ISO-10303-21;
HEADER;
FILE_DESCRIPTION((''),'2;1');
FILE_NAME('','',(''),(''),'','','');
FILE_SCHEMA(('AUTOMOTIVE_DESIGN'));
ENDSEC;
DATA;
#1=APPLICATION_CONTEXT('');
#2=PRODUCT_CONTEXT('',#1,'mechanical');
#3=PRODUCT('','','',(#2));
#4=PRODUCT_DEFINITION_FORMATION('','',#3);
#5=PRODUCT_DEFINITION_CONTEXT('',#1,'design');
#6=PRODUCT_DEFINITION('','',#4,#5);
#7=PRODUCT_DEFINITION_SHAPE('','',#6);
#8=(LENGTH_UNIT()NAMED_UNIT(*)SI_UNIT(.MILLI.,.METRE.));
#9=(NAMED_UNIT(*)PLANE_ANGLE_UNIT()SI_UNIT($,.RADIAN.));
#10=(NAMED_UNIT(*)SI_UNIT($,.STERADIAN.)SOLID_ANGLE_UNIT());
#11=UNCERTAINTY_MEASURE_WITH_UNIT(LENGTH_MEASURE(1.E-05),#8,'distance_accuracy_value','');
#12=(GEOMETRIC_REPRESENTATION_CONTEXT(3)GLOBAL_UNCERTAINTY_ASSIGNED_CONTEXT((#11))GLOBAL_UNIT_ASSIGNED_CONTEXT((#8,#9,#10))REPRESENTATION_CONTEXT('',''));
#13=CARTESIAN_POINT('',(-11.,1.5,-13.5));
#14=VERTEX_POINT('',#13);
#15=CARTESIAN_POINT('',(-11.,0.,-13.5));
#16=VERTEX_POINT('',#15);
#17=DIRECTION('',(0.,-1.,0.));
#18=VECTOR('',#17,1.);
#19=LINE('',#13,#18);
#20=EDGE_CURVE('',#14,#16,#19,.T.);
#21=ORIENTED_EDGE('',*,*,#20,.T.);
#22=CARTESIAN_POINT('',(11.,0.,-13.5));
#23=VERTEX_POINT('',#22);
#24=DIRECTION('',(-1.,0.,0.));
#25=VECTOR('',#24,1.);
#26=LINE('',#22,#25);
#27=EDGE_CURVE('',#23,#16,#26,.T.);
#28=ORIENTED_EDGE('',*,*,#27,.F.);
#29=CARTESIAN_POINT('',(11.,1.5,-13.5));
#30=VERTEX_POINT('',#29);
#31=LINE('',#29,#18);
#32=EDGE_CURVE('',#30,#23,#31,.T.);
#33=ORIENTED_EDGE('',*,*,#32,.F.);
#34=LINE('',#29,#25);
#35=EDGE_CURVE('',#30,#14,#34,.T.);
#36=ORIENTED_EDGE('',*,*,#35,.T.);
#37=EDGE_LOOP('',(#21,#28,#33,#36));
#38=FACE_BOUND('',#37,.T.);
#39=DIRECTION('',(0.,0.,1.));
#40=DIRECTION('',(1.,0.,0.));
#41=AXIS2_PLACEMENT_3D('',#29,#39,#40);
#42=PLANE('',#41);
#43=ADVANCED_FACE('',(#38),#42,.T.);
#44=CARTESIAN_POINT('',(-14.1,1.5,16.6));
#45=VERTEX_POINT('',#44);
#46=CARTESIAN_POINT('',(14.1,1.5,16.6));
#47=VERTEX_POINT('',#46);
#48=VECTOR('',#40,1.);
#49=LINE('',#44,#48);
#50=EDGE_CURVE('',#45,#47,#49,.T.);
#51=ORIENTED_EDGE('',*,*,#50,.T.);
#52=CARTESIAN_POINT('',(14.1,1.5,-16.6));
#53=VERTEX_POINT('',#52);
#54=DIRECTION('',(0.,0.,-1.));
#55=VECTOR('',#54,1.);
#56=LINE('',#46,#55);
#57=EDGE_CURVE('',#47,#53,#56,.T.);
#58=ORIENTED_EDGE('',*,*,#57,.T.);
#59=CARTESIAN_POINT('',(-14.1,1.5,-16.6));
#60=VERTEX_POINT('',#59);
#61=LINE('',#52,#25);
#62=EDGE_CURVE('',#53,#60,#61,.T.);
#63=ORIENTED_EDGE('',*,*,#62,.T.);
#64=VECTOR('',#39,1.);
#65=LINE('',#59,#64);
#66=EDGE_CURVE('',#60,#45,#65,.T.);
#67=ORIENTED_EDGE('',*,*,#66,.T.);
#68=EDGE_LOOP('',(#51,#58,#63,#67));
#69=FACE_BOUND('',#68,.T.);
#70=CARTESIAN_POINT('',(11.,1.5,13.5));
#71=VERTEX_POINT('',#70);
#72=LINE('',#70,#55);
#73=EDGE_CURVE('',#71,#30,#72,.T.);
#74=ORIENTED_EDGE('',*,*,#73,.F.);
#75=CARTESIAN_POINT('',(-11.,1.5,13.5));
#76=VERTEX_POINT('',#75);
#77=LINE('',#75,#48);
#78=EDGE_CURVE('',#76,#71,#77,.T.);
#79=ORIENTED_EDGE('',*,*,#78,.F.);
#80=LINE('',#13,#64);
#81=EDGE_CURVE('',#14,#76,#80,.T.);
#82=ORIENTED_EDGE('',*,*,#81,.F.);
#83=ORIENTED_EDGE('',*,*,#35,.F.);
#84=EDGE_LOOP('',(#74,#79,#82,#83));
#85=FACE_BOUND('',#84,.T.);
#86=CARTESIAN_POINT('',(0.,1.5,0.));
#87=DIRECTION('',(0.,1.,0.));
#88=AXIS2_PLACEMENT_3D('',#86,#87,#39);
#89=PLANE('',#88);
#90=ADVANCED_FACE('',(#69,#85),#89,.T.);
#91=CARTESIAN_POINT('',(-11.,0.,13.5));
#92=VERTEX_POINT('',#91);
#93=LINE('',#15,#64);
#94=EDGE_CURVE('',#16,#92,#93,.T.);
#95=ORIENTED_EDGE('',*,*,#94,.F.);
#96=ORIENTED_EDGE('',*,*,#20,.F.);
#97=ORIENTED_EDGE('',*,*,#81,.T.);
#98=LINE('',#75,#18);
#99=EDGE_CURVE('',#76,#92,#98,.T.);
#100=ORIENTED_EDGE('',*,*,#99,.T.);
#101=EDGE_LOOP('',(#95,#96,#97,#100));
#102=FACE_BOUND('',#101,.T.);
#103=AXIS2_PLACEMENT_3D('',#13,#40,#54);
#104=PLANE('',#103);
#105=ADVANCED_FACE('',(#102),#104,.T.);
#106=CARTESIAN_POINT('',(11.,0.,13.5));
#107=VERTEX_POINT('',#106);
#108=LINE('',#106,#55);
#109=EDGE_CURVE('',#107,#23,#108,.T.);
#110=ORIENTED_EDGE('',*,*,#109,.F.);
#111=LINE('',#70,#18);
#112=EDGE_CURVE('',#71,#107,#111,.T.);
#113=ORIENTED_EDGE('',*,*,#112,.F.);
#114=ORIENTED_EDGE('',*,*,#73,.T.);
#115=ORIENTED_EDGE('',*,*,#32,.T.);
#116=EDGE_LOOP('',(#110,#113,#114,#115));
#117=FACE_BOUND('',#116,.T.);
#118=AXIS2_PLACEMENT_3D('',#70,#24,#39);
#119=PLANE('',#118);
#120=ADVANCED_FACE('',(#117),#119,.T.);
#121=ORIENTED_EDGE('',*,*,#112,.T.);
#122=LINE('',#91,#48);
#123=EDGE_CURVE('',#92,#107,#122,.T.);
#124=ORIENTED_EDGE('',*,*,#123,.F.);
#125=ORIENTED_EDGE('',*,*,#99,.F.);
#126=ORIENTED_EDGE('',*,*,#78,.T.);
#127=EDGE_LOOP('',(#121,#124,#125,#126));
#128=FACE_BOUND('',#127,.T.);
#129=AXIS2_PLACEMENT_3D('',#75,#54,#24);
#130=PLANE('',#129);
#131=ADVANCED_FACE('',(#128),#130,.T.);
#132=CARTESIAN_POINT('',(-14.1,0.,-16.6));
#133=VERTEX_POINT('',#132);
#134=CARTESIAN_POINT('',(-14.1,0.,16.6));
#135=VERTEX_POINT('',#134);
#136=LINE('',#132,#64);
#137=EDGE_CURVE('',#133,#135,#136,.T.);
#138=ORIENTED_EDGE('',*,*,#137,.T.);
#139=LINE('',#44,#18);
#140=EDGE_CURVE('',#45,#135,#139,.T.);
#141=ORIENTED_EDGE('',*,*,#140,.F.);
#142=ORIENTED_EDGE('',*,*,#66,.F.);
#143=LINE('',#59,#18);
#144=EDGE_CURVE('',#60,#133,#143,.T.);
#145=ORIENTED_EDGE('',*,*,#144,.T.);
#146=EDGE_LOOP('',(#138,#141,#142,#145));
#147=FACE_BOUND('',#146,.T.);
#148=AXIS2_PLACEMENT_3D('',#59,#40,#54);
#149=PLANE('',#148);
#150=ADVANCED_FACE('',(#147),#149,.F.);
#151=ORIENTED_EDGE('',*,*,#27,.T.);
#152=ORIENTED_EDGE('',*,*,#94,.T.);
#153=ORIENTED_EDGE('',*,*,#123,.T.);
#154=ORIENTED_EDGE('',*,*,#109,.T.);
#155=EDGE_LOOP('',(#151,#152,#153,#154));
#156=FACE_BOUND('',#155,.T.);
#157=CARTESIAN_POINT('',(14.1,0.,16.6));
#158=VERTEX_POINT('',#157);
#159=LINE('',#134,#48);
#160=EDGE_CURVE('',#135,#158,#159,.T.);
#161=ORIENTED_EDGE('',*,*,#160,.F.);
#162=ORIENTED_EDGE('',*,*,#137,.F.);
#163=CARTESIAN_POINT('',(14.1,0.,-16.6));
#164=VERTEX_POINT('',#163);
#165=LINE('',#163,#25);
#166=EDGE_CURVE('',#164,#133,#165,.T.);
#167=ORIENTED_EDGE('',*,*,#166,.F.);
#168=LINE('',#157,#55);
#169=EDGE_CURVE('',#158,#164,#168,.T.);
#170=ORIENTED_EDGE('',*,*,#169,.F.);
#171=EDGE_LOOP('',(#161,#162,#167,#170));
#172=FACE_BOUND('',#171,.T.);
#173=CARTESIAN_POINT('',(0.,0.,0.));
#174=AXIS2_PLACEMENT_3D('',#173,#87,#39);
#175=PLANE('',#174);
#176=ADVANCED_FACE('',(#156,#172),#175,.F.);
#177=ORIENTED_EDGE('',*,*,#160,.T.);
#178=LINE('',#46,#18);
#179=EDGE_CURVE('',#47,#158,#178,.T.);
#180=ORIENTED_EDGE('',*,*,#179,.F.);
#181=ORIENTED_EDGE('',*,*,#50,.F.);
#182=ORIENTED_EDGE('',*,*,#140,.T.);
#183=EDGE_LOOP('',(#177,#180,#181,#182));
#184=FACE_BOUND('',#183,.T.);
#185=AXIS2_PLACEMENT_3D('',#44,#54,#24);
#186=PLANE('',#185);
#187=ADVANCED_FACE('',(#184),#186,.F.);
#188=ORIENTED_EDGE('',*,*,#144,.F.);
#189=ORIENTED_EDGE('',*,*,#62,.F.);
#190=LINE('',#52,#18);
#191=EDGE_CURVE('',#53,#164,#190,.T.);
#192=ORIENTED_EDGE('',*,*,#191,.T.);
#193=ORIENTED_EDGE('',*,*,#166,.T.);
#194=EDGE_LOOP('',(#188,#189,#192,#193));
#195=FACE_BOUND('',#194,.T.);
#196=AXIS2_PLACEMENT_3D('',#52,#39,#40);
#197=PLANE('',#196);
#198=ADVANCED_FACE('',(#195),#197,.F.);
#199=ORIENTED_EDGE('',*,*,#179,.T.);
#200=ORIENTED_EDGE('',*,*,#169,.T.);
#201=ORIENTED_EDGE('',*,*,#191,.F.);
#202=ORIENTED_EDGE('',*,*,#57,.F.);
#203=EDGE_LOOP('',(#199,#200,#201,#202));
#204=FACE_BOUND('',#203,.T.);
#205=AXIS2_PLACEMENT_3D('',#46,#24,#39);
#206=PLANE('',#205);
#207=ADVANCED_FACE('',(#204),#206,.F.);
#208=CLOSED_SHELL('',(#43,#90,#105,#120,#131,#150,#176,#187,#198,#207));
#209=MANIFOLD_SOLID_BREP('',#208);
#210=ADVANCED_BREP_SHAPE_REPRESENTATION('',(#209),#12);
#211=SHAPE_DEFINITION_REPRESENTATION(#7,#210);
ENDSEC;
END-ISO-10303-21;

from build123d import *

# Parameters (mm, degrees)
SKETCH1_W    = 28.2
SKETCH1_H    = 33.2
SKETCH1_W_2  = 22
SKETCH1_H_2  = 27
GASKET_DEPTH = 1.5


with BuildPart() as part:
    # Sketch1 → Gasket (new body)
    with BuildSketch(Plane(origin=(0, 0, 0), x_dir=(1, 0, 0), z_dir=(0, 1, 0))):
        Rectangle(SKETCH1_W, SKETCH1_H)
        Rectangle(SKETCH1_W_2, SKETCH1_H_2, mode=Mode.SUBTRACT)
    extrude(amount=GASKET_DEPTH)


solid = part.part
